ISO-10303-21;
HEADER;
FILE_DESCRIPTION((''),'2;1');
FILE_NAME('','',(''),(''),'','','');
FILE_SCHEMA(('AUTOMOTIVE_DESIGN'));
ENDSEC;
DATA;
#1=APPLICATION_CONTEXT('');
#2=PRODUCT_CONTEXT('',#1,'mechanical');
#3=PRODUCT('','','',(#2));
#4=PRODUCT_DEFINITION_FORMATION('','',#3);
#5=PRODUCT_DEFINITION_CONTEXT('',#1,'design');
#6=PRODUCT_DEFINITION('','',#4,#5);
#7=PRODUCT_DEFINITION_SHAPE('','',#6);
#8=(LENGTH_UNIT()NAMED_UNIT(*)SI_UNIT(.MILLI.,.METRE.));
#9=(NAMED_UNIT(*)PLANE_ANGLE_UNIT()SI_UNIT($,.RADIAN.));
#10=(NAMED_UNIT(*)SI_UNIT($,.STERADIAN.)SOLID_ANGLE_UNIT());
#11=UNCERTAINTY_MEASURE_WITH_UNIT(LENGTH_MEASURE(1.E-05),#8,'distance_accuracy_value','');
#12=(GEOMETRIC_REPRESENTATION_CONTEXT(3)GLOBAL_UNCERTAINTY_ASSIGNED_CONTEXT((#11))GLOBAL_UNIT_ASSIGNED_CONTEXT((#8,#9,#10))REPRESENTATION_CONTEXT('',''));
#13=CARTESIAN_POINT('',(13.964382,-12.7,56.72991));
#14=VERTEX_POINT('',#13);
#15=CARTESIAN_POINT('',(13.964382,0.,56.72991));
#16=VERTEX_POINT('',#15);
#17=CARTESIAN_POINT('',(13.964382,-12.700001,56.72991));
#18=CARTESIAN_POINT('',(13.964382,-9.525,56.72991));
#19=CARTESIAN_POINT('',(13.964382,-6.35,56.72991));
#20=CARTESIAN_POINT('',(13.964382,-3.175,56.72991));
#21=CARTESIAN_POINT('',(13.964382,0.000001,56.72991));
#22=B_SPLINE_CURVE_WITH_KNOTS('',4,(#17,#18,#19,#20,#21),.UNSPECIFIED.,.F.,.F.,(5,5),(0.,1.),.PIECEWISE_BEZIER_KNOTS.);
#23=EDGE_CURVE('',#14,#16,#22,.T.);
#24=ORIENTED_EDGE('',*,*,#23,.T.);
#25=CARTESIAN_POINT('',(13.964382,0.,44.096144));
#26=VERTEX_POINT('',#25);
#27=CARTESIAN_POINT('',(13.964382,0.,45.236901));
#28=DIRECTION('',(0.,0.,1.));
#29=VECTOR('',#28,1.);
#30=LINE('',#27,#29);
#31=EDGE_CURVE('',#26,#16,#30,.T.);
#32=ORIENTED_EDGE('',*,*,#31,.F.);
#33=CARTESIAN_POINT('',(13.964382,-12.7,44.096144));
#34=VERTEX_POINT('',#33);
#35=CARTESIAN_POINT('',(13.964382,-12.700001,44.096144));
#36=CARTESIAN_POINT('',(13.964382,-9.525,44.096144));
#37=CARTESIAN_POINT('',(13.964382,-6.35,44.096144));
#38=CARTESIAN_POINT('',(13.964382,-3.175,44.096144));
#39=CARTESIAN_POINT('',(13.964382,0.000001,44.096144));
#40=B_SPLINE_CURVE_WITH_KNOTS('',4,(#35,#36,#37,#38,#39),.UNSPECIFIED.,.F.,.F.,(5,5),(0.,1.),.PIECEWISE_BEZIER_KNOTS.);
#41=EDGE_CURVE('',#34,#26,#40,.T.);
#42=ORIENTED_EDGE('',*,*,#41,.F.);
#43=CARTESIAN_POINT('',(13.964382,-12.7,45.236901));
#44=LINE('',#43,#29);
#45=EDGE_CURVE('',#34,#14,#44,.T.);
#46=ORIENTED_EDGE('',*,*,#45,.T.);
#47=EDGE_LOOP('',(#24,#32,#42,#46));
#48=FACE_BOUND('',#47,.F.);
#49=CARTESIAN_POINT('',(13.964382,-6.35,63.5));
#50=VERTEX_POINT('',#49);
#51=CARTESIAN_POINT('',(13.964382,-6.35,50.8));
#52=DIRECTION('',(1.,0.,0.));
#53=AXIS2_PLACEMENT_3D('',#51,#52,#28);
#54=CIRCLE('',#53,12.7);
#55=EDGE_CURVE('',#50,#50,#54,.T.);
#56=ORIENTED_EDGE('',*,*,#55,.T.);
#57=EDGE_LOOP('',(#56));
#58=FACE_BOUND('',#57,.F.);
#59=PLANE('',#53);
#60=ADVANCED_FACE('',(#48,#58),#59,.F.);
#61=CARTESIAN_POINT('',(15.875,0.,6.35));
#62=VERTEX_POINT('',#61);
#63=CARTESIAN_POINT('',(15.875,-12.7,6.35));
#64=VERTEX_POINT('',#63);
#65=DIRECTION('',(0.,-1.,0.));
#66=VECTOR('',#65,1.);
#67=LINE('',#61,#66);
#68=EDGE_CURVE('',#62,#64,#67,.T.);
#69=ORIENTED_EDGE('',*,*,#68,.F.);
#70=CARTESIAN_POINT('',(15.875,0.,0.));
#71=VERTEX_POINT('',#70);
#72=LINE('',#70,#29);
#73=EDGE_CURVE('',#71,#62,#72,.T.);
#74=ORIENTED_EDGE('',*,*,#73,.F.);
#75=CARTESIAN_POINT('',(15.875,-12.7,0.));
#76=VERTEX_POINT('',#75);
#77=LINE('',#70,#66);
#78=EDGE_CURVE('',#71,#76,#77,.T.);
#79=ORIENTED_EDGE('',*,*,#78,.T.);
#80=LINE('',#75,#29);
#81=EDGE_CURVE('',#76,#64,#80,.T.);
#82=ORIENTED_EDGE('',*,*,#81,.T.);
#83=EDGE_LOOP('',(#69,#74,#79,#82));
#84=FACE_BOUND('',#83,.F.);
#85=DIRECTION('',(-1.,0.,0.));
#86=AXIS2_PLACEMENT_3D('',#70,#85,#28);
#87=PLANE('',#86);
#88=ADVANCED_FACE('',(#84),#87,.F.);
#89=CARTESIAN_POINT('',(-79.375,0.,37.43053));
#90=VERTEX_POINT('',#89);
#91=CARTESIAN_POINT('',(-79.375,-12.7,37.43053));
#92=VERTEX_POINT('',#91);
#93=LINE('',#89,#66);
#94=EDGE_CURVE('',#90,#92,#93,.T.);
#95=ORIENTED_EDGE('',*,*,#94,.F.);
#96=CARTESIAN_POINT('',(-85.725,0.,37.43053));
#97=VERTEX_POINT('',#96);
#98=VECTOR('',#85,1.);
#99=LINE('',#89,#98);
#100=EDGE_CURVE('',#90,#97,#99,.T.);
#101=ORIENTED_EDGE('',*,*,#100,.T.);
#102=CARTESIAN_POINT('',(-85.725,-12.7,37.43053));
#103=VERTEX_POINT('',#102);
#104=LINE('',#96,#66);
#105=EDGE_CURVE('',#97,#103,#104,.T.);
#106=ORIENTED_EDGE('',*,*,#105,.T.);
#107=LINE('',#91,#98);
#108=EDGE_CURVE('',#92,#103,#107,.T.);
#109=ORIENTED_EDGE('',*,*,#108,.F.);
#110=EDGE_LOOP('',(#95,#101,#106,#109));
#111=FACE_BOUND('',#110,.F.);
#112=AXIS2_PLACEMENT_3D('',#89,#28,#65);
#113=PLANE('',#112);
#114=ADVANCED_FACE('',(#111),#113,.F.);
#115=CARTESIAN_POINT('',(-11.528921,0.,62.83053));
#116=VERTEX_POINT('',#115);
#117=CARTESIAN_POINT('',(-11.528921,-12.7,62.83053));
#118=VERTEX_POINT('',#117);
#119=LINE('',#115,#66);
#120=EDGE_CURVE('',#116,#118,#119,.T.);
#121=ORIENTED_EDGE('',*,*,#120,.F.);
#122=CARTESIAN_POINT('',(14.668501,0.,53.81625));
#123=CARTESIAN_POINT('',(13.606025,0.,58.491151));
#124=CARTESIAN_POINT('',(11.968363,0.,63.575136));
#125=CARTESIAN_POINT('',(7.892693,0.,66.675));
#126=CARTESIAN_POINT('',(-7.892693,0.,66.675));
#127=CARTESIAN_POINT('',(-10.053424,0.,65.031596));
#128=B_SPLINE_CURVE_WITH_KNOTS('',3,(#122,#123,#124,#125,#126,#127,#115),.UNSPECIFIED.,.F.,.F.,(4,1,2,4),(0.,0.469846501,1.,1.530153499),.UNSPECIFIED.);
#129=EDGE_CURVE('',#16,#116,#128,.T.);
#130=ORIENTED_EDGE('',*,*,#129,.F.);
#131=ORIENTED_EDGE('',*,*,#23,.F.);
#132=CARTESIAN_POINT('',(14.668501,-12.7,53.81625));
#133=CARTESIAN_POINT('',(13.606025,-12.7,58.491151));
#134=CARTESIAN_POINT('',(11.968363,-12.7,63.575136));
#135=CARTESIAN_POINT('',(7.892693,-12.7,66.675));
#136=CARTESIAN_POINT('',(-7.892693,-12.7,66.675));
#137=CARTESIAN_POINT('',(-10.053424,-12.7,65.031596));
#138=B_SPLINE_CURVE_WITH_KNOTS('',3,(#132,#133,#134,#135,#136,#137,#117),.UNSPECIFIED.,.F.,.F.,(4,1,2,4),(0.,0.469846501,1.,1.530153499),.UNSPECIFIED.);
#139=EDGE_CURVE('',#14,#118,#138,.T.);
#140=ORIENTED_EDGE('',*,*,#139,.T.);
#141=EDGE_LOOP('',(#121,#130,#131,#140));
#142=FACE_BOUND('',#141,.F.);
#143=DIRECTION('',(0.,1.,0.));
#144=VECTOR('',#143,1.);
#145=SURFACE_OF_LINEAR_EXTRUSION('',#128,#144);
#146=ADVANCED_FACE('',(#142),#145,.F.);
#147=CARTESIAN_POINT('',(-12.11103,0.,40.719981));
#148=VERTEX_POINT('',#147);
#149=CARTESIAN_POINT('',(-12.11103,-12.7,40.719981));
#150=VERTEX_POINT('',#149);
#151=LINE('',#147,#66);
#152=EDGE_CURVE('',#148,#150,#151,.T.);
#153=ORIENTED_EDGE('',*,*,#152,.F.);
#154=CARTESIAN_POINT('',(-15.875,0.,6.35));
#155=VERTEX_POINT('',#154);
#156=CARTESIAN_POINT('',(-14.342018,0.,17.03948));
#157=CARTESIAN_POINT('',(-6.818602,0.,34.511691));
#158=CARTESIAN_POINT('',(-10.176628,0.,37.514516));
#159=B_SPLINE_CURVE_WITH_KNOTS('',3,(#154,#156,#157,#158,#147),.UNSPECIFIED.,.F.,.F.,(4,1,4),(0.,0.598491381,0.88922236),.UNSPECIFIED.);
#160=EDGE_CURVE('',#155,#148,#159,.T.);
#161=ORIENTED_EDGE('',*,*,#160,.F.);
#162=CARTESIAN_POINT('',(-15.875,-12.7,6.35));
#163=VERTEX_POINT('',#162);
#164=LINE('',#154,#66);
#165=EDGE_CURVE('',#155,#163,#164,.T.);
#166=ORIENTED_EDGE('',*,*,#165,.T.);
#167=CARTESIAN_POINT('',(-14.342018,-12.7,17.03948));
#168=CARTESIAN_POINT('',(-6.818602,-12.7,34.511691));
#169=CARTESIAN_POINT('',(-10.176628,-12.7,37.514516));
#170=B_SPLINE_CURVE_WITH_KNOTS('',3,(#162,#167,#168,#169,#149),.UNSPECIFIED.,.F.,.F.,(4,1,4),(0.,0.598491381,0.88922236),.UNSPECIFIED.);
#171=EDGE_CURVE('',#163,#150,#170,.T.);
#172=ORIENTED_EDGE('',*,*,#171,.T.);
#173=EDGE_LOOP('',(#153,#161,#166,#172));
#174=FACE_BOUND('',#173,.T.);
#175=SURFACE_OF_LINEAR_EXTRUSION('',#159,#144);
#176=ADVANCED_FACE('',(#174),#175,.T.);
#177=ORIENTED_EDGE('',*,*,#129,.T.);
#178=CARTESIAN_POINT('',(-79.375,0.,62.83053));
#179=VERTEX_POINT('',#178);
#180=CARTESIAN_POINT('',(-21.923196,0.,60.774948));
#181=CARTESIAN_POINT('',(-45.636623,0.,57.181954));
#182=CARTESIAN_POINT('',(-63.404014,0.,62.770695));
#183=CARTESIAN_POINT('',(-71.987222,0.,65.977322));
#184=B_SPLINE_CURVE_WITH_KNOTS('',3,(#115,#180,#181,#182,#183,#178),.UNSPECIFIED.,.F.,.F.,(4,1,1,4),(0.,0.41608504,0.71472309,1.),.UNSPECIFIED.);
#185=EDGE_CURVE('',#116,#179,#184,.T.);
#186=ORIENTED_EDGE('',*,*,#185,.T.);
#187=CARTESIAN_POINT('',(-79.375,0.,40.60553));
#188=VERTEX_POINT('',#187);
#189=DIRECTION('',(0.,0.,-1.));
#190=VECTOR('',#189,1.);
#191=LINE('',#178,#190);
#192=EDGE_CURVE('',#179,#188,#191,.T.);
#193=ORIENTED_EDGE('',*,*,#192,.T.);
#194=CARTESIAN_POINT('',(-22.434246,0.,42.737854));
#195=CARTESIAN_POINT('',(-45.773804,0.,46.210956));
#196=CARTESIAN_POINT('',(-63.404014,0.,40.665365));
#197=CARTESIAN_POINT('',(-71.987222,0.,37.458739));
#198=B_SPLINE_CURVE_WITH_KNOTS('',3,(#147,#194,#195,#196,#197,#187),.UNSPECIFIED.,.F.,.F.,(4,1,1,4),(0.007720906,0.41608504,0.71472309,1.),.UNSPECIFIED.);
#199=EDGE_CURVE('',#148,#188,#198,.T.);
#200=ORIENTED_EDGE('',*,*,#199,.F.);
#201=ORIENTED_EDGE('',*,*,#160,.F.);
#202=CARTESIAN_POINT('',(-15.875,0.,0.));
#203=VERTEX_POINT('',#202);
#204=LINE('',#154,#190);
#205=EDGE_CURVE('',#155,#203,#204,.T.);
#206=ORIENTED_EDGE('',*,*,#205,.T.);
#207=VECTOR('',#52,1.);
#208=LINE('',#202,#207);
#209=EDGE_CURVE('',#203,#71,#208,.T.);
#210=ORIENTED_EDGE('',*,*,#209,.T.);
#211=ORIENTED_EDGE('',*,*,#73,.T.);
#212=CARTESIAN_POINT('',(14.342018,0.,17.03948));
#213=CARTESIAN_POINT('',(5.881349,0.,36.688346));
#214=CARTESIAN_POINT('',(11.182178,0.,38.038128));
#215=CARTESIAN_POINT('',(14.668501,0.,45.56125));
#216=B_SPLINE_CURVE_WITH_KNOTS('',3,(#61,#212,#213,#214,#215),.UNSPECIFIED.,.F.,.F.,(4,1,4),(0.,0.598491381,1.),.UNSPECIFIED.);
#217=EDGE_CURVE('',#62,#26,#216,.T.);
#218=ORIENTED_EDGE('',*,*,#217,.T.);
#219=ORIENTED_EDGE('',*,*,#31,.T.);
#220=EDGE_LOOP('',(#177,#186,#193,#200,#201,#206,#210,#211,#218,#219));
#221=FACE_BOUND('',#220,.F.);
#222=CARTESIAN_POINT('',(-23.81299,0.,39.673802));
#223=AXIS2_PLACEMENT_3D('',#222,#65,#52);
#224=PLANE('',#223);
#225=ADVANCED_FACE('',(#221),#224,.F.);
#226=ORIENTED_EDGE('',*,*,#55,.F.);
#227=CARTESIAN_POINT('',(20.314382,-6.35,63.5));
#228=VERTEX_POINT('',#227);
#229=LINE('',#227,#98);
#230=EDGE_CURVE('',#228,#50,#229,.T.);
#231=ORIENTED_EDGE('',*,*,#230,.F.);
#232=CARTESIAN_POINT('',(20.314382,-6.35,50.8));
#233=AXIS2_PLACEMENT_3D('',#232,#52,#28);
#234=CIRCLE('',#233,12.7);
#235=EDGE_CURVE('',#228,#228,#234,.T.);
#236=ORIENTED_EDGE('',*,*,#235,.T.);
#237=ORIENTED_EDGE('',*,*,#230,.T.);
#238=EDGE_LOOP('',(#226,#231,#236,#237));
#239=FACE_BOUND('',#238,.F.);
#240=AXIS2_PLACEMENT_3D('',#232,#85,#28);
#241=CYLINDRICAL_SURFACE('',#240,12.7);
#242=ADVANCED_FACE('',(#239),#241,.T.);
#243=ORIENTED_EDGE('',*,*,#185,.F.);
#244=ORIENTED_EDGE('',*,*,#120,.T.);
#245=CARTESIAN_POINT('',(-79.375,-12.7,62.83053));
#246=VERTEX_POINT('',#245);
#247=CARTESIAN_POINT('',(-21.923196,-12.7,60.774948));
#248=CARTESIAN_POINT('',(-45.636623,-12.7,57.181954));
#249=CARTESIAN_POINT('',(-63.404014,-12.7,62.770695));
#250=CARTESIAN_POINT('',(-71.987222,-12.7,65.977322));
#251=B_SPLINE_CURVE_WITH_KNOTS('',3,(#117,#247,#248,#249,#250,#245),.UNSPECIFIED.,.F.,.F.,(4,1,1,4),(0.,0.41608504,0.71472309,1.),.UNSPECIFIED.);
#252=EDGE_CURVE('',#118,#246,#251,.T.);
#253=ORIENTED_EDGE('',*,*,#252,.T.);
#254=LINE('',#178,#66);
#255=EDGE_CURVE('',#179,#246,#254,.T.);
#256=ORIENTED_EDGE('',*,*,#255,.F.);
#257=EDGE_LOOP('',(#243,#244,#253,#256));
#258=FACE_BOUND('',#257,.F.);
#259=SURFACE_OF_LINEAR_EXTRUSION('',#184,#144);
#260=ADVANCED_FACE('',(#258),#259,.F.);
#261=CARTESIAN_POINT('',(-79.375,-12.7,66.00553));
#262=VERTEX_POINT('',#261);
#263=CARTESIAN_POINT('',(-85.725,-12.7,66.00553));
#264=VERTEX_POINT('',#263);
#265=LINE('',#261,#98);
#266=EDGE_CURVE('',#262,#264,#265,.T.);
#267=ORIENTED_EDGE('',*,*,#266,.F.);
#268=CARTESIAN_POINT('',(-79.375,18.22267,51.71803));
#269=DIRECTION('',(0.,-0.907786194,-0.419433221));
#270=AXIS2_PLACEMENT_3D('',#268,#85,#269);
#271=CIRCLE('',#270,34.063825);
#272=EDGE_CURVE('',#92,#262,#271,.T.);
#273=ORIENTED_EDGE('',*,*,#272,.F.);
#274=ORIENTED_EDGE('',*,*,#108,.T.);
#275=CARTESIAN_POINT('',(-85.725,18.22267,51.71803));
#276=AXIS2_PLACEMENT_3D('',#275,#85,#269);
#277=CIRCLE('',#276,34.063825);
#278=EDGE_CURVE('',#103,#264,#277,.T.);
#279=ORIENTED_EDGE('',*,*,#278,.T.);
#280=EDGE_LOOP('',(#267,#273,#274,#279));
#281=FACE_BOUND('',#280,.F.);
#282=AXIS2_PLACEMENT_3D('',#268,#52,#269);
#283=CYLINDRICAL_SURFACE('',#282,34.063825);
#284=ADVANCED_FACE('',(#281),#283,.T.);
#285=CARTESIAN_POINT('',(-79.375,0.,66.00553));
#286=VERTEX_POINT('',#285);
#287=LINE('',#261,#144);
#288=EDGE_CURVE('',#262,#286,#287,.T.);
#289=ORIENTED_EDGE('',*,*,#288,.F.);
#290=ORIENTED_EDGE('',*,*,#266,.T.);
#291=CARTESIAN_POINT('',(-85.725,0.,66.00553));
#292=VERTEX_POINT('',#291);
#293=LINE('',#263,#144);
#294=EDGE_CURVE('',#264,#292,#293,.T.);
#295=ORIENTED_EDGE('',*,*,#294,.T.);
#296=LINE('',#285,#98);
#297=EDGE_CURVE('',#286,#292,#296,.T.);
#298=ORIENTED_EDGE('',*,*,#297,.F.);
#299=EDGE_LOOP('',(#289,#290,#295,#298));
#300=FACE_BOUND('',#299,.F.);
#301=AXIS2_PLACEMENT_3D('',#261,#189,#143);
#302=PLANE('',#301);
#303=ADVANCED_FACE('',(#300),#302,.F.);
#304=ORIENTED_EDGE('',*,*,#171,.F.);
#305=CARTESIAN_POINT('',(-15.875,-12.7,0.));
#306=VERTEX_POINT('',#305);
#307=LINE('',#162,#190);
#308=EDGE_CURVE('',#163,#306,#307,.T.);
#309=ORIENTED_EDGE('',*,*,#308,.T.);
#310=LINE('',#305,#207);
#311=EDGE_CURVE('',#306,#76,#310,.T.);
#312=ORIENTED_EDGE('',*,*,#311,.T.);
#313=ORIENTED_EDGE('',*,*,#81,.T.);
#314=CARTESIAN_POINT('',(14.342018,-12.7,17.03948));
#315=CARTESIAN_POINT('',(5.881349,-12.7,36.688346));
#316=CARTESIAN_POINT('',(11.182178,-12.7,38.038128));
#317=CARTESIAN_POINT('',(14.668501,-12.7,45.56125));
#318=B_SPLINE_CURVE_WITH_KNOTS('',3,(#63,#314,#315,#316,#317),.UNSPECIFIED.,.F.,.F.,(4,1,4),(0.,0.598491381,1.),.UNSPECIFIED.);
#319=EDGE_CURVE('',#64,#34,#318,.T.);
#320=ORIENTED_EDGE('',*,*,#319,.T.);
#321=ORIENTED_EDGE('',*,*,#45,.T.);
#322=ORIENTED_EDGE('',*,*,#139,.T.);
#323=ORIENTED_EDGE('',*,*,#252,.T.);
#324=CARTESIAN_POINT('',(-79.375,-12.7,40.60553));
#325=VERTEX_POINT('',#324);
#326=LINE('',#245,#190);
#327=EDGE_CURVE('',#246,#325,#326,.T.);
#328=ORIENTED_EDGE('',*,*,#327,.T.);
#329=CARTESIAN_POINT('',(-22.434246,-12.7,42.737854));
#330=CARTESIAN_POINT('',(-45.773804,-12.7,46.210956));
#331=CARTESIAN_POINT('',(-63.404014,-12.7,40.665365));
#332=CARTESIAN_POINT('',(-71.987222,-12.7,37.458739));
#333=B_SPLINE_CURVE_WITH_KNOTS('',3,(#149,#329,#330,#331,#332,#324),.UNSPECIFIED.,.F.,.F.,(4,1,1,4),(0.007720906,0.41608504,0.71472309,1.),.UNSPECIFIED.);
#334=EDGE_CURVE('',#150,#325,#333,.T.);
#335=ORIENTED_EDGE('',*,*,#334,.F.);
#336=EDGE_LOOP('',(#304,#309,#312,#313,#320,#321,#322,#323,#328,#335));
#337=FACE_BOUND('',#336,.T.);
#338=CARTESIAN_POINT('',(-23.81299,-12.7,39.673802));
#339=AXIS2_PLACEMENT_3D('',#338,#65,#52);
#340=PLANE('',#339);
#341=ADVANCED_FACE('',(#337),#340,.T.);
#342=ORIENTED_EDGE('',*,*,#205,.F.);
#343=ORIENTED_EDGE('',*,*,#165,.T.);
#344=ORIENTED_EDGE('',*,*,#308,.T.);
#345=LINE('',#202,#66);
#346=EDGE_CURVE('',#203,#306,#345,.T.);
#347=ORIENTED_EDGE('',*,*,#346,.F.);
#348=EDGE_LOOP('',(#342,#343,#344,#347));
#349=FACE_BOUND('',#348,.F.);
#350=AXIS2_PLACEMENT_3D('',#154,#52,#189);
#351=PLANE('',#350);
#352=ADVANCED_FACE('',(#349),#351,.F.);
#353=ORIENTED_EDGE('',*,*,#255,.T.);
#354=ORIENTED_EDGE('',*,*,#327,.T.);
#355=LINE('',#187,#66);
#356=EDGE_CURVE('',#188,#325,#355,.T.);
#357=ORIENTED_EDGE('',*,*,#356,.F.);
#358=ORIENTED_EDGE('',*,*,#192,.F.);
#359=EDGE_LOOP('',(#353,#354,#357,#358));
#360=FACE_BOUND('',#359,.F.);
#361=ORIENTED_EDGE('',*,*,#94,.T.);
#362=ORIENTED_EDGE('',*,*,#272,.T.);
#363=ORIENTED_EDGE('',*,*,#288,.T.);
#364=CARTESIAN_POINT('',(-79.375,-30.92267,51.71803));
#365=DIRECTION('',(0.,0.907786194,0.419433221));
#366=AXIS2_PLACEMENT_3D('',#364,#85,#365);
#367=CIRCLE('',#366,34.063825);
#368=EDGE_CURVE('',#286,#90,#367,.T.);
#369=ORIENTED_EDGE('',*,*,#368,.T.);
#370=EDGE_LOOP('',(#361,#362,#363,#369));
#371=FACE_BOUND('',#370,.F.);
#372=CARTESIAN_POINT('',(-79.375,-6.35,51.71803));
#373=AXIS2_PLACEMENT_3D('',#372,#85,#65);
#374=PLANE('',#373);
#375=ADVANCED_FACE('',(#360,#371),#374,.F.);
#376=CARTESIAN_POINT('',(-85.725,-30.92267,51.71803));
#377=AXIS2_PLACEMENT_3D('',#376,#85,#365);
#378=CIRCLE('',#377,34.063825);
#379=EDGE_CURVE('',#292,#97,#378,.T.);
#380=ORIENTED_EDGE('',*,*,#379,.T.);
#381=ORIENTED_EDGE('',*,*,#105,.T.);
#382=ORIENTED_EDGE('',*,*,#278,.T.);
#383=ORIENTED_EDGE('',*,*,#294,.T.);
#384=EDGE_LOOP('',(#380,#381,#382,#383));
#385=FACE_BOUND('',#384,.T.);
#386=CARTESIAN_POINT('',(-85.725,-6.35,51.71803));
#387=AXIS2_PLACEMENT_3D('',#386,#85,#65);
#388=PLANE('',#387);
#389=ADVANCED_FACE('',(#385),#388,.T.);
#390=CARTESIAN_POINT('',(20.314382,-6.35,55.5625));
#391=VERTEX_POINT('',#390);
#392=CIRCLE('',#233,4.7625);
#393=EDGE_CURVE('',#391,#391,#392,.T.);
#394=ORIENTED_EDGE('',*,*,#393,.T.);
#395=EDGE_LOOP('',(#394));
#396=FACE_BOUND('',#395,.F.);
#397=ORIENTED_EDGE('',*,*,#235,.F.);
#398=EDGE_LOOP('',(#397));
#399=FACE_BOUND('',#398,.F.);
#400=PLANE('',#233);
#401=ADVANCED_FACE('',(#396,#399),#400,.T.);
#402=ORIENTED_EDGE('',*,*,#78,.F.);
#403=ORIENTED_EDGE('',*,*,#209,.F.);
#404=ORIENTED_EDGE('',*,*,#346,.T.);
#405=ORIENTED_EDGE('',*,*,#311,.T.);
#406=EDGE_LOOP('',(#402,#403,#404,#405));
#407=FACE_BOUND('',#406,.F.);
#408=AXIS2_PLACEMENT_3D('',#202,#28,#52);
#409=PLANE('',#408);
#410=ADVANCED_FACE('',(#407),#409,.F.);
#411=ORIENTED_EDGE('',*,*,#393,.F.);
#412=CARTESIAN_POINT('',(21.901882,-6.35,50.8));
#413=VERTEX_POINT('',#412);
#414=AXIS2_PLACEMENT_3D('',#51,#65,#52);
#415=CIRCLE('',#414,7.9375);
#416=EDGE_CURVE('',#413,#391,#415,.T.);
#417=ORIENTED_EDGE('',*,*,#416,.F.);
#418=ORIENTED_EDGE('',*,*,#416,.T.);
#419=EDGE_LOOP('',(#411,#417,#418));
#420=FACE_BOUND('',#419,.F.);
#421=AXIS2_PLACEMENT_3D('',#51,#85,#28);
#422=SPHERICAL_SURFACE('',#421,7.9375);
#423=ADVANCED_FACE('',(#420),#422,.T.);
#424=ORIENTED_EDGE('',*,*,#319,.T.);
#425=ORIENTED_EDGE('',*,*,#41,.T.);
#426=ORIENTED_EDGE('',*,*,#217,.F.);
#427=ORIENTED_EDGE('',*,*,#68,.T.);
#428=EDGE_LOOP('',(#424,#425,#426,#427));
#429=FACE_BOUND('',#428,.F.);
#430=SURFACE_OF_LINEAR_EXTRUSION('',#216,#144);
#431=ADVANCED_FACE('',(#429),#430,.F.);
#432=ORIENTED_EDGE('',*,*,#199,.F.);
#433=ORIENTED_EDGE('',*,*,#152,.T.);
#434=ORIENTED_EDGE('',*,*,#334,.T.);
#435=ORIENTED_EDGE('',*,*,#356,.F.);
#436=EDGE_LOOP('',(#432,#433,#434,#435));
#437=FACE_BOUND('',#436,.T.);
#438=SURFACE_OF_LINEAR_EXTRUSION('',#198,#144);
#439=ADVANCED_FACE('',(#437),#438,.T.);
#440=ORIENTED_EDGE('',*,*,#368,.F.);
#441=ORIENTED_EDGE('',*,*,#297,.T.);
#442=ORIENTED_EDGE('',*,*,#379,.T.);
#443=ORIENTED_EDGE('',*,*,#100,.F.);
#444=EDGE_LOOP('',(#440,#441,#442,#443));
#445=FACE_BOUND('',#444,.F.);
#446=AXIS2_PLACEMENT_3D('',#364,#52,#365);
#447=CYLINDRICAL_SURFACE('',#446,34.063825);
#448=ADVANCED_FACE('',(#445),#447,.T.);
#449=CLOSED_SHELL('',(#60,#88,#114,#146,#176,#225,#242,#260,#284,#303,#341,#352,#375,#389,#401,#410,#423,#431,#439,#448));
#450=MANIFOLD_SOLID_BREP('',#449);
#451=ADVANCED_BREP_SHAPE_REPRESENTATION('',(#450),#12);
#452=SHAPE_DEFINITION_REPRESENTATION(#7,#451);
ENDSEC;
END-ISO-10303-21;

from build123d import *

# Parameters (mm, degrees)
F1_DEPTH = 12.7
F6_DEPTH = 6.35


with BuildPart() as f1:
    # F0 (on Front) → F1 (new body)
    with BuildSketch(Plane.XZ):
        with BuildLine():
            Line((-15.875, 0), (0, 0))
            Line((0, 0), (15.875, 0))
            Line((15.875, 0), (15.875, 6.35))
            add(Edge.make_bspline(
                [(15.875, 6.35), (14.3420179327, 17.0394802796), (5.8813492916, 36.6883459695), (11.1821779514, 38.0381281856), (14.6685008157, 45.5612496266)],
                knots=[0, 0, 0, 0, 0.598491381, 1, 1, 1, 1], degree=3))
            Line((14.6685008157, 45.5612496266), (14.6685008157, 53.8162496266))
            add(Edge.make_bspline(
                [(14.6685008157, 53.8162496266), (13.6060252977, 58.4911509281), (11.9683632001, 63.5751361722), (7.8926925483, 66.675), (0, 66.675)],
                knots=[0, 0, 0, 0, 0.4698465014, 1, 1, 1, 1], degree=3))
            add(Edge.make_bspline(
                [(-11.5289213136, 62.830530107), (-10.0534236035, 65.0315963465), (-7.8926925483, 66.675), (0, 66.675)],
                knots=[0.4698465014, 0.4698465014, 0.4698465014, 0.4698465014, 1, 1, 1, 1], degree=3))
            add(Edge.make_bspline(
                [(-11.5289213136, 62.830530107), (-21.9231955091, 60.7749481925), (-45.6366234217, 57.1819541314), (-63.4040143954, 62.7706953829), (-71.9872220853, 65.9773216858), (-79.375, 62.830530107)],
                knots=[0, 0, 0, 0, 0.4160850402, 0.7147230898, 1, 1, 1, 1], degree=3))
            Line((-79.375, 62.830530107), (-79.375, 40.605530107))
            add(Edge.make_bspline(
                [(-12.1110297993, 40.7199813665), (-22.4342460064, 42.7378543308), (-45.7738037723, 46.2109559383), (-63.4040143954, 40.6653648311), (-71.9872220853, 37.4587385283), (-79.375, 40.605530107)],
                knots=[0.0077209057, 0.0077209057, 0.0077209057, 0.0077209057, 0.4160850402, 0.7147230898, 1, 1, 1, 1], degree=3))
            add(Edge.make_bspline(
                [(-15.875, 6.35), (-14.3420179327, 17.0394802796), (-6.8186021949, 34.5116910034), (-10.176628142, 37.5145162123), (-12.111029794, 40.7199813758)],
                knots=[0, 0, 0, 0, 0.598491381, 0.8892223602, 0.8892223602, 0.8892223602, 0.8892223602], degree=3))
            Line((-15.875, 6.35), (-15.875, 0))
        make_face()
    extrude(amount=F1_DEPTH)

    # F3 (on offset) → F4 (revolve)
    with BuildSketch(Plane.XZ.offset(6.35)):
        with BuildLine():
            Line((13.9643816114, 63.5), (13.9643816114, 50.8))
            Line((13.9643816114, 50.8), (21.9018816114, 50.8))
            ThreePointArc((21.9018816114, 50.8), (21.4945552896, 53.3100578928), (20.3143816114, 55.5625))
            Line((20.3143816114, 55.5625), (20.3143816114, 63.5))
            Line((20.3143816114, 63.5), (13.9643816114, 63.5))
        make_face()
    revolve(axis=Axis((17.9331316114, -6.35, 50.8), (1, 0, 0)))

    # F5 (on face) → F6 (join)
    with BuildSketch(Plane(origin=(-79.375, 0, 0), x_dir=(0, -1, 0), z_dir=(-1, 0, 0))):
        with BuildLine():
            Line((12.7, 66.005530107), (6.35, 66.005530107))
            Line((6.35, 66.005530107), (0, 66.005530107))
            ThreePointArc((0, 66.005530107), (-3.1411550024, 51.718030107), (0, 37.430530107))
            Line((0, 37.430530107), (6.35, 37.430530107))
            Line((6.35, 37.430530107), (12.7, 37.430530107))
            ThreePointArc((12.7, 37.430530107), (15.8411550024, 51.718030107), (12.7, 66.005530107))
        make_face()
    extrude(amount=F6_DEPTH)


solid = f1.part
